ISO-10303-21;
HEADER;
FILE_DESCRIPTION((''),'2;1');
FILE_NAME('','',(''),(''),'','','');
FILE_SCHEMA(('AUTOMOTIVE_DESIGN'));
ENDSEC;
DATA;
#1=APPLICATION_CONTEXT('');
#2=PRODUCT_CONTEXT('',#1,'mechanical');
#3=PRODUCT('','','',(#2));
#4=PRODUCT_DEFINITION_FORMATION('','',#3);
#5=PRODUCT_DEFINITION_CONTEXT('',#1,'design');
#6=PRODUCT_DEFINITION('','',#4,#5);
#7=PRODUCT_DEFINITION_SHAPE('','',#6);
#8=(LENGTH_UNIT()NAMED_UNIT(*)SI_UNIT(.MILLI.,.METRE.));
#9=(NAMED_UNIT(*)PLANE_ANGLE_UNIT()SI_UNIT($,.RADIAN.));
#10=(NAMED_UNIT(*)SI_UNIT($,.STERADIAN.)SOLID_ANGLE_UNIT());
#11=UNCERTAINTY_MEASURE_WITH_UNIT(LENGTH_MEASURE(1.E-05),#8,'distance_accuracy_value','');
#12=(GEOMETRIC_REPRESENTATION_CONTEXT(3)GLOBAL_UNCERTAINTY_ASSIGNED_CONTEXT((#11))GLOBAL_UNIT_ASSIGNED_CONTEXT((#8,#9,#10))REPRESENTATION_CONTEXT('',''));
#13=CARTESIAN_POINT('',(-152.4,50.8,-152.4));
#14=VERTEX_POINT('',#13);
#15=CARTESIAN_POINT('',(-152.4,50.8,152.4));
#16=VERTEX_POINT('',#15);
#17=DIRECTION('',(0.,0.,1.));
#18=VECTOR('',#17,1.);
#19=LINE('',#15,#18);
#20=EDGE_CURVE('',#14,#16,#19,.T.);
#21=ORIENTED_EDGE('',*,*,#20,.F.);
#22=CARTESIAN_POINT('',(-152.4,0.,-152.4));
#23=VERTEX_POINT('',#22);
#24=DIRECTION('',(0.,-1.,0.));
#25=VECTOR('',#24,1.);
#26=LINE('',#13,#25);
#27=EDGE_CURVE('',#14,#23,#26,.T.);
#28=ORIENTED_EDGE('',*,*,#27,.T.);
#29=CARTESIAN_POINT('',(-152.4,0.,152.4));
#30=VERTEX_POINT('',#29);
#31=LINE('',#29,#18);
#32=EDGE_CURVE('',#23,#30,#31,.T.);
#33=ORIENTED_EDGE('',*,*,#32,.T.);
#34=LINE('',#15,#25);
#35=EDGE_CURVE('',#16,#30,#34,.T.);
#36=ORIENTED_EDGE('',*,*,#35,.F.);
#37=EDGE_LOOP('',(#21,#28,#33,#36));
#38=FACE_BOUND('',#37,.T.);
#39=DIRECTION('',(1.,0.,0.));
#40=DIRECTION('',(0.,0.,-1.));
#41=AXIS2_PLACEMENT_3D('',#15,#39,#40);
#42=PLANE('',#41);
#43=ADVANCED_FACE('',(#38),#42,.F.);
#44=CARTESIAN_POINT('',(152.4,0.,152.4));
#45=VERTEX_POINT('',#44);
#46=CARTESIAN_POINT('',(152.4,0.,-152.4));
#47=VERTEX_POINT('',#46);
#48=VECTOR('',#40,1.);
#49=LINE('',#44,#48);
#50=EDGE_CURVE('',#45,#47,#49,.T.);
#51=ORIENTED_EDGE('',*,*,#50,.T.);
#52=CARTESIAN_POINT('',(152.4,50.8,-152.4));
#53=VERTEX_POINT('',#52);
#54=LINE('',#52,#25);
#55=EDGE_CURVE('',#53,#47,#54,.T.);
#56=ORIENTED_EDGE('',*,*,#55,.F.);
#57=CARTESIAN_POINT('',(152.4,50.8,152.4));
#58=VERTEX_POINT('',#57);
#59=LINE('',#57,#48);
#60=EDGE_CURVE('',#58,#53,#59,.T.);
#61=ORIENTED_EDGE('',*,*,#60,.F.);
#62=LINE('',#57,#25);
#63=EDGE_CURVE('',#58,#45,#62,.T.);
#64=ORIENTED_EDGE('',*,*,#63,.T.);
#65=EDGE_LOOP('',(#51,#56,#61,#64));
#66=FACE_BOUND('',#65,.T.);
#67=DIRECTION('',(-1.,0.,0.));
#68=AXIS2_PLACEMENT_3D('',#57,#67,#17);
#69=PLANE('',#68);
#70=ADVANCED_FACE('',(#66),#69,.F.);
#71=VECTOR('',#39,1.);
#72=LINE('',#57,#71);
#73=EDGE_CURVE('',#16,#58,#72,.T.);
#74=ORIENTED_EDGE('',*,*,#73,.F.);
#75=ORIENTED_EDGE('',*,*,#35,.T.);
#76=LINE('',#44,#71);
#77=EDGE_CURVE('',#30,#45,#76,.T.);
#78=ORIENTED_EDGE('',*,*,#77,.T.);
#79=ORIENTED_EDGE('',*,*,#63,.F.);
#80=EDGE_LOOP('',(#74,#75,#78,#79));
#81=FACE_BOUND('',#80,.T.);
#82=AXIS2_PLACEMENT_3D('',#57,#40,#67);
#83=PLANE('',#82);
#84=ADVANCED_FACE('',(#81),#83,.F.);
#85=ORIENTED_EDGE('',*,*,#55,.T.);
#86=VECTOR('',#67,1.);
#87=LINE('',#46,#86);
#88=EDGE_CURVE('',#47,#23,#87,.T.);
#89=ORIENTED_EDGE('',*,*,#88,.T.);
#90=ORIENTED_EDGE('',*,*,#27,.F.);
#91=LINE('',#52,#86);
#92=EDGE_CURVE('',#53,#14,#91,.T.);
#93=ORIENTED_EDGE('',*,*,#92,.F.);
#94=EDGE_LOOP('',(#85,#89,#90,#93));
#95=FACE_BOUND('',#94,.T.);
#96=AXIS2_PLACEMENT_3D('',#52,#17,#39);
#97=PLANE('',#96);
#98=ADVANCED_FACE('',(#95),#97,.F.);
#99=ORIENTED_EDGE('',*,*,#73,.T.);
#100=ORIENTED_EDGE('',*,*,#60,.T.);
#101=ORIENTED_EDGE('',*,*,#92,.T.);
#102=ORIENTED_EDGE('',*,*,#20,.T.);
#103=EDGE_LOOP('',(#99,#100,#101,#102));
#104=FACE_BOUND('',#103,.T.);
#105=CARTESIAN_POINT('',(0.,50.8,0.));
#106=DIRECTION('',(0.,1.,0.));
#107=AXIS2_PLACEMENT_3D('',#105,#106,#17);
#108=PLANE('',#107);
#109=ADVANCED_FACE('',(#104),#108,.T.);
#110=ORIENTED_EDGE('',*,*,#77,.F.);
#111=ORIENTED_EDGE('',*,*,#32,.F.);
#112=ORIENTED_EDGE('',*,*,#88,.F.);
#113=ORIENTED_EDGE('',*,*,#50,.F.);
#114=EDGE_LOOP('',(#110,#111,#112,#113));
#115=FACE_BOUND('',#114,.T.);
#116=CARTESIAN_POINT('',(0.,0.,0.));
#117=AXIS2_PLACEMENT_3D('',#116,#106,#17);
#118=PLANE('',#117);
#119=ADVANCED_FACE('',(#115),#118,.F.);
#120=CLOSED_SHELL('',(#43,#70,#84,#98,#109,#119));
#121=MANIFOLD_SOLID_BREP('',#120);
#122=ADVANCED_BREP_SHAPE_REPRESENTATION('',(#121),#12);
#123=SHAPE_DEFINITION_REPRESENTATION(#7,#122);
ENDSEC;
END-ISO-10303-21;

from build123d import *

# Parameters (mm, degrees)
SKETCH1_W           = 304.8
SKETCH1_H           = 304.8
BOSS_EXTRUDE1_DEPTH = 50.8


with BuildPart() as part:
    # Sketch1 → Boss-Extrude1 (new body)
    with BuildSketch(Plane(origin=(0, 0, 0), x_dir=(1, 0, 0), z_dir=(0, 1, 0))):
        Rectangle(SKETCH1_W, SKETCH1_H)
    extrude(amount=BOSS_EXTRUDE1_DEPTH)


solid = part.part
